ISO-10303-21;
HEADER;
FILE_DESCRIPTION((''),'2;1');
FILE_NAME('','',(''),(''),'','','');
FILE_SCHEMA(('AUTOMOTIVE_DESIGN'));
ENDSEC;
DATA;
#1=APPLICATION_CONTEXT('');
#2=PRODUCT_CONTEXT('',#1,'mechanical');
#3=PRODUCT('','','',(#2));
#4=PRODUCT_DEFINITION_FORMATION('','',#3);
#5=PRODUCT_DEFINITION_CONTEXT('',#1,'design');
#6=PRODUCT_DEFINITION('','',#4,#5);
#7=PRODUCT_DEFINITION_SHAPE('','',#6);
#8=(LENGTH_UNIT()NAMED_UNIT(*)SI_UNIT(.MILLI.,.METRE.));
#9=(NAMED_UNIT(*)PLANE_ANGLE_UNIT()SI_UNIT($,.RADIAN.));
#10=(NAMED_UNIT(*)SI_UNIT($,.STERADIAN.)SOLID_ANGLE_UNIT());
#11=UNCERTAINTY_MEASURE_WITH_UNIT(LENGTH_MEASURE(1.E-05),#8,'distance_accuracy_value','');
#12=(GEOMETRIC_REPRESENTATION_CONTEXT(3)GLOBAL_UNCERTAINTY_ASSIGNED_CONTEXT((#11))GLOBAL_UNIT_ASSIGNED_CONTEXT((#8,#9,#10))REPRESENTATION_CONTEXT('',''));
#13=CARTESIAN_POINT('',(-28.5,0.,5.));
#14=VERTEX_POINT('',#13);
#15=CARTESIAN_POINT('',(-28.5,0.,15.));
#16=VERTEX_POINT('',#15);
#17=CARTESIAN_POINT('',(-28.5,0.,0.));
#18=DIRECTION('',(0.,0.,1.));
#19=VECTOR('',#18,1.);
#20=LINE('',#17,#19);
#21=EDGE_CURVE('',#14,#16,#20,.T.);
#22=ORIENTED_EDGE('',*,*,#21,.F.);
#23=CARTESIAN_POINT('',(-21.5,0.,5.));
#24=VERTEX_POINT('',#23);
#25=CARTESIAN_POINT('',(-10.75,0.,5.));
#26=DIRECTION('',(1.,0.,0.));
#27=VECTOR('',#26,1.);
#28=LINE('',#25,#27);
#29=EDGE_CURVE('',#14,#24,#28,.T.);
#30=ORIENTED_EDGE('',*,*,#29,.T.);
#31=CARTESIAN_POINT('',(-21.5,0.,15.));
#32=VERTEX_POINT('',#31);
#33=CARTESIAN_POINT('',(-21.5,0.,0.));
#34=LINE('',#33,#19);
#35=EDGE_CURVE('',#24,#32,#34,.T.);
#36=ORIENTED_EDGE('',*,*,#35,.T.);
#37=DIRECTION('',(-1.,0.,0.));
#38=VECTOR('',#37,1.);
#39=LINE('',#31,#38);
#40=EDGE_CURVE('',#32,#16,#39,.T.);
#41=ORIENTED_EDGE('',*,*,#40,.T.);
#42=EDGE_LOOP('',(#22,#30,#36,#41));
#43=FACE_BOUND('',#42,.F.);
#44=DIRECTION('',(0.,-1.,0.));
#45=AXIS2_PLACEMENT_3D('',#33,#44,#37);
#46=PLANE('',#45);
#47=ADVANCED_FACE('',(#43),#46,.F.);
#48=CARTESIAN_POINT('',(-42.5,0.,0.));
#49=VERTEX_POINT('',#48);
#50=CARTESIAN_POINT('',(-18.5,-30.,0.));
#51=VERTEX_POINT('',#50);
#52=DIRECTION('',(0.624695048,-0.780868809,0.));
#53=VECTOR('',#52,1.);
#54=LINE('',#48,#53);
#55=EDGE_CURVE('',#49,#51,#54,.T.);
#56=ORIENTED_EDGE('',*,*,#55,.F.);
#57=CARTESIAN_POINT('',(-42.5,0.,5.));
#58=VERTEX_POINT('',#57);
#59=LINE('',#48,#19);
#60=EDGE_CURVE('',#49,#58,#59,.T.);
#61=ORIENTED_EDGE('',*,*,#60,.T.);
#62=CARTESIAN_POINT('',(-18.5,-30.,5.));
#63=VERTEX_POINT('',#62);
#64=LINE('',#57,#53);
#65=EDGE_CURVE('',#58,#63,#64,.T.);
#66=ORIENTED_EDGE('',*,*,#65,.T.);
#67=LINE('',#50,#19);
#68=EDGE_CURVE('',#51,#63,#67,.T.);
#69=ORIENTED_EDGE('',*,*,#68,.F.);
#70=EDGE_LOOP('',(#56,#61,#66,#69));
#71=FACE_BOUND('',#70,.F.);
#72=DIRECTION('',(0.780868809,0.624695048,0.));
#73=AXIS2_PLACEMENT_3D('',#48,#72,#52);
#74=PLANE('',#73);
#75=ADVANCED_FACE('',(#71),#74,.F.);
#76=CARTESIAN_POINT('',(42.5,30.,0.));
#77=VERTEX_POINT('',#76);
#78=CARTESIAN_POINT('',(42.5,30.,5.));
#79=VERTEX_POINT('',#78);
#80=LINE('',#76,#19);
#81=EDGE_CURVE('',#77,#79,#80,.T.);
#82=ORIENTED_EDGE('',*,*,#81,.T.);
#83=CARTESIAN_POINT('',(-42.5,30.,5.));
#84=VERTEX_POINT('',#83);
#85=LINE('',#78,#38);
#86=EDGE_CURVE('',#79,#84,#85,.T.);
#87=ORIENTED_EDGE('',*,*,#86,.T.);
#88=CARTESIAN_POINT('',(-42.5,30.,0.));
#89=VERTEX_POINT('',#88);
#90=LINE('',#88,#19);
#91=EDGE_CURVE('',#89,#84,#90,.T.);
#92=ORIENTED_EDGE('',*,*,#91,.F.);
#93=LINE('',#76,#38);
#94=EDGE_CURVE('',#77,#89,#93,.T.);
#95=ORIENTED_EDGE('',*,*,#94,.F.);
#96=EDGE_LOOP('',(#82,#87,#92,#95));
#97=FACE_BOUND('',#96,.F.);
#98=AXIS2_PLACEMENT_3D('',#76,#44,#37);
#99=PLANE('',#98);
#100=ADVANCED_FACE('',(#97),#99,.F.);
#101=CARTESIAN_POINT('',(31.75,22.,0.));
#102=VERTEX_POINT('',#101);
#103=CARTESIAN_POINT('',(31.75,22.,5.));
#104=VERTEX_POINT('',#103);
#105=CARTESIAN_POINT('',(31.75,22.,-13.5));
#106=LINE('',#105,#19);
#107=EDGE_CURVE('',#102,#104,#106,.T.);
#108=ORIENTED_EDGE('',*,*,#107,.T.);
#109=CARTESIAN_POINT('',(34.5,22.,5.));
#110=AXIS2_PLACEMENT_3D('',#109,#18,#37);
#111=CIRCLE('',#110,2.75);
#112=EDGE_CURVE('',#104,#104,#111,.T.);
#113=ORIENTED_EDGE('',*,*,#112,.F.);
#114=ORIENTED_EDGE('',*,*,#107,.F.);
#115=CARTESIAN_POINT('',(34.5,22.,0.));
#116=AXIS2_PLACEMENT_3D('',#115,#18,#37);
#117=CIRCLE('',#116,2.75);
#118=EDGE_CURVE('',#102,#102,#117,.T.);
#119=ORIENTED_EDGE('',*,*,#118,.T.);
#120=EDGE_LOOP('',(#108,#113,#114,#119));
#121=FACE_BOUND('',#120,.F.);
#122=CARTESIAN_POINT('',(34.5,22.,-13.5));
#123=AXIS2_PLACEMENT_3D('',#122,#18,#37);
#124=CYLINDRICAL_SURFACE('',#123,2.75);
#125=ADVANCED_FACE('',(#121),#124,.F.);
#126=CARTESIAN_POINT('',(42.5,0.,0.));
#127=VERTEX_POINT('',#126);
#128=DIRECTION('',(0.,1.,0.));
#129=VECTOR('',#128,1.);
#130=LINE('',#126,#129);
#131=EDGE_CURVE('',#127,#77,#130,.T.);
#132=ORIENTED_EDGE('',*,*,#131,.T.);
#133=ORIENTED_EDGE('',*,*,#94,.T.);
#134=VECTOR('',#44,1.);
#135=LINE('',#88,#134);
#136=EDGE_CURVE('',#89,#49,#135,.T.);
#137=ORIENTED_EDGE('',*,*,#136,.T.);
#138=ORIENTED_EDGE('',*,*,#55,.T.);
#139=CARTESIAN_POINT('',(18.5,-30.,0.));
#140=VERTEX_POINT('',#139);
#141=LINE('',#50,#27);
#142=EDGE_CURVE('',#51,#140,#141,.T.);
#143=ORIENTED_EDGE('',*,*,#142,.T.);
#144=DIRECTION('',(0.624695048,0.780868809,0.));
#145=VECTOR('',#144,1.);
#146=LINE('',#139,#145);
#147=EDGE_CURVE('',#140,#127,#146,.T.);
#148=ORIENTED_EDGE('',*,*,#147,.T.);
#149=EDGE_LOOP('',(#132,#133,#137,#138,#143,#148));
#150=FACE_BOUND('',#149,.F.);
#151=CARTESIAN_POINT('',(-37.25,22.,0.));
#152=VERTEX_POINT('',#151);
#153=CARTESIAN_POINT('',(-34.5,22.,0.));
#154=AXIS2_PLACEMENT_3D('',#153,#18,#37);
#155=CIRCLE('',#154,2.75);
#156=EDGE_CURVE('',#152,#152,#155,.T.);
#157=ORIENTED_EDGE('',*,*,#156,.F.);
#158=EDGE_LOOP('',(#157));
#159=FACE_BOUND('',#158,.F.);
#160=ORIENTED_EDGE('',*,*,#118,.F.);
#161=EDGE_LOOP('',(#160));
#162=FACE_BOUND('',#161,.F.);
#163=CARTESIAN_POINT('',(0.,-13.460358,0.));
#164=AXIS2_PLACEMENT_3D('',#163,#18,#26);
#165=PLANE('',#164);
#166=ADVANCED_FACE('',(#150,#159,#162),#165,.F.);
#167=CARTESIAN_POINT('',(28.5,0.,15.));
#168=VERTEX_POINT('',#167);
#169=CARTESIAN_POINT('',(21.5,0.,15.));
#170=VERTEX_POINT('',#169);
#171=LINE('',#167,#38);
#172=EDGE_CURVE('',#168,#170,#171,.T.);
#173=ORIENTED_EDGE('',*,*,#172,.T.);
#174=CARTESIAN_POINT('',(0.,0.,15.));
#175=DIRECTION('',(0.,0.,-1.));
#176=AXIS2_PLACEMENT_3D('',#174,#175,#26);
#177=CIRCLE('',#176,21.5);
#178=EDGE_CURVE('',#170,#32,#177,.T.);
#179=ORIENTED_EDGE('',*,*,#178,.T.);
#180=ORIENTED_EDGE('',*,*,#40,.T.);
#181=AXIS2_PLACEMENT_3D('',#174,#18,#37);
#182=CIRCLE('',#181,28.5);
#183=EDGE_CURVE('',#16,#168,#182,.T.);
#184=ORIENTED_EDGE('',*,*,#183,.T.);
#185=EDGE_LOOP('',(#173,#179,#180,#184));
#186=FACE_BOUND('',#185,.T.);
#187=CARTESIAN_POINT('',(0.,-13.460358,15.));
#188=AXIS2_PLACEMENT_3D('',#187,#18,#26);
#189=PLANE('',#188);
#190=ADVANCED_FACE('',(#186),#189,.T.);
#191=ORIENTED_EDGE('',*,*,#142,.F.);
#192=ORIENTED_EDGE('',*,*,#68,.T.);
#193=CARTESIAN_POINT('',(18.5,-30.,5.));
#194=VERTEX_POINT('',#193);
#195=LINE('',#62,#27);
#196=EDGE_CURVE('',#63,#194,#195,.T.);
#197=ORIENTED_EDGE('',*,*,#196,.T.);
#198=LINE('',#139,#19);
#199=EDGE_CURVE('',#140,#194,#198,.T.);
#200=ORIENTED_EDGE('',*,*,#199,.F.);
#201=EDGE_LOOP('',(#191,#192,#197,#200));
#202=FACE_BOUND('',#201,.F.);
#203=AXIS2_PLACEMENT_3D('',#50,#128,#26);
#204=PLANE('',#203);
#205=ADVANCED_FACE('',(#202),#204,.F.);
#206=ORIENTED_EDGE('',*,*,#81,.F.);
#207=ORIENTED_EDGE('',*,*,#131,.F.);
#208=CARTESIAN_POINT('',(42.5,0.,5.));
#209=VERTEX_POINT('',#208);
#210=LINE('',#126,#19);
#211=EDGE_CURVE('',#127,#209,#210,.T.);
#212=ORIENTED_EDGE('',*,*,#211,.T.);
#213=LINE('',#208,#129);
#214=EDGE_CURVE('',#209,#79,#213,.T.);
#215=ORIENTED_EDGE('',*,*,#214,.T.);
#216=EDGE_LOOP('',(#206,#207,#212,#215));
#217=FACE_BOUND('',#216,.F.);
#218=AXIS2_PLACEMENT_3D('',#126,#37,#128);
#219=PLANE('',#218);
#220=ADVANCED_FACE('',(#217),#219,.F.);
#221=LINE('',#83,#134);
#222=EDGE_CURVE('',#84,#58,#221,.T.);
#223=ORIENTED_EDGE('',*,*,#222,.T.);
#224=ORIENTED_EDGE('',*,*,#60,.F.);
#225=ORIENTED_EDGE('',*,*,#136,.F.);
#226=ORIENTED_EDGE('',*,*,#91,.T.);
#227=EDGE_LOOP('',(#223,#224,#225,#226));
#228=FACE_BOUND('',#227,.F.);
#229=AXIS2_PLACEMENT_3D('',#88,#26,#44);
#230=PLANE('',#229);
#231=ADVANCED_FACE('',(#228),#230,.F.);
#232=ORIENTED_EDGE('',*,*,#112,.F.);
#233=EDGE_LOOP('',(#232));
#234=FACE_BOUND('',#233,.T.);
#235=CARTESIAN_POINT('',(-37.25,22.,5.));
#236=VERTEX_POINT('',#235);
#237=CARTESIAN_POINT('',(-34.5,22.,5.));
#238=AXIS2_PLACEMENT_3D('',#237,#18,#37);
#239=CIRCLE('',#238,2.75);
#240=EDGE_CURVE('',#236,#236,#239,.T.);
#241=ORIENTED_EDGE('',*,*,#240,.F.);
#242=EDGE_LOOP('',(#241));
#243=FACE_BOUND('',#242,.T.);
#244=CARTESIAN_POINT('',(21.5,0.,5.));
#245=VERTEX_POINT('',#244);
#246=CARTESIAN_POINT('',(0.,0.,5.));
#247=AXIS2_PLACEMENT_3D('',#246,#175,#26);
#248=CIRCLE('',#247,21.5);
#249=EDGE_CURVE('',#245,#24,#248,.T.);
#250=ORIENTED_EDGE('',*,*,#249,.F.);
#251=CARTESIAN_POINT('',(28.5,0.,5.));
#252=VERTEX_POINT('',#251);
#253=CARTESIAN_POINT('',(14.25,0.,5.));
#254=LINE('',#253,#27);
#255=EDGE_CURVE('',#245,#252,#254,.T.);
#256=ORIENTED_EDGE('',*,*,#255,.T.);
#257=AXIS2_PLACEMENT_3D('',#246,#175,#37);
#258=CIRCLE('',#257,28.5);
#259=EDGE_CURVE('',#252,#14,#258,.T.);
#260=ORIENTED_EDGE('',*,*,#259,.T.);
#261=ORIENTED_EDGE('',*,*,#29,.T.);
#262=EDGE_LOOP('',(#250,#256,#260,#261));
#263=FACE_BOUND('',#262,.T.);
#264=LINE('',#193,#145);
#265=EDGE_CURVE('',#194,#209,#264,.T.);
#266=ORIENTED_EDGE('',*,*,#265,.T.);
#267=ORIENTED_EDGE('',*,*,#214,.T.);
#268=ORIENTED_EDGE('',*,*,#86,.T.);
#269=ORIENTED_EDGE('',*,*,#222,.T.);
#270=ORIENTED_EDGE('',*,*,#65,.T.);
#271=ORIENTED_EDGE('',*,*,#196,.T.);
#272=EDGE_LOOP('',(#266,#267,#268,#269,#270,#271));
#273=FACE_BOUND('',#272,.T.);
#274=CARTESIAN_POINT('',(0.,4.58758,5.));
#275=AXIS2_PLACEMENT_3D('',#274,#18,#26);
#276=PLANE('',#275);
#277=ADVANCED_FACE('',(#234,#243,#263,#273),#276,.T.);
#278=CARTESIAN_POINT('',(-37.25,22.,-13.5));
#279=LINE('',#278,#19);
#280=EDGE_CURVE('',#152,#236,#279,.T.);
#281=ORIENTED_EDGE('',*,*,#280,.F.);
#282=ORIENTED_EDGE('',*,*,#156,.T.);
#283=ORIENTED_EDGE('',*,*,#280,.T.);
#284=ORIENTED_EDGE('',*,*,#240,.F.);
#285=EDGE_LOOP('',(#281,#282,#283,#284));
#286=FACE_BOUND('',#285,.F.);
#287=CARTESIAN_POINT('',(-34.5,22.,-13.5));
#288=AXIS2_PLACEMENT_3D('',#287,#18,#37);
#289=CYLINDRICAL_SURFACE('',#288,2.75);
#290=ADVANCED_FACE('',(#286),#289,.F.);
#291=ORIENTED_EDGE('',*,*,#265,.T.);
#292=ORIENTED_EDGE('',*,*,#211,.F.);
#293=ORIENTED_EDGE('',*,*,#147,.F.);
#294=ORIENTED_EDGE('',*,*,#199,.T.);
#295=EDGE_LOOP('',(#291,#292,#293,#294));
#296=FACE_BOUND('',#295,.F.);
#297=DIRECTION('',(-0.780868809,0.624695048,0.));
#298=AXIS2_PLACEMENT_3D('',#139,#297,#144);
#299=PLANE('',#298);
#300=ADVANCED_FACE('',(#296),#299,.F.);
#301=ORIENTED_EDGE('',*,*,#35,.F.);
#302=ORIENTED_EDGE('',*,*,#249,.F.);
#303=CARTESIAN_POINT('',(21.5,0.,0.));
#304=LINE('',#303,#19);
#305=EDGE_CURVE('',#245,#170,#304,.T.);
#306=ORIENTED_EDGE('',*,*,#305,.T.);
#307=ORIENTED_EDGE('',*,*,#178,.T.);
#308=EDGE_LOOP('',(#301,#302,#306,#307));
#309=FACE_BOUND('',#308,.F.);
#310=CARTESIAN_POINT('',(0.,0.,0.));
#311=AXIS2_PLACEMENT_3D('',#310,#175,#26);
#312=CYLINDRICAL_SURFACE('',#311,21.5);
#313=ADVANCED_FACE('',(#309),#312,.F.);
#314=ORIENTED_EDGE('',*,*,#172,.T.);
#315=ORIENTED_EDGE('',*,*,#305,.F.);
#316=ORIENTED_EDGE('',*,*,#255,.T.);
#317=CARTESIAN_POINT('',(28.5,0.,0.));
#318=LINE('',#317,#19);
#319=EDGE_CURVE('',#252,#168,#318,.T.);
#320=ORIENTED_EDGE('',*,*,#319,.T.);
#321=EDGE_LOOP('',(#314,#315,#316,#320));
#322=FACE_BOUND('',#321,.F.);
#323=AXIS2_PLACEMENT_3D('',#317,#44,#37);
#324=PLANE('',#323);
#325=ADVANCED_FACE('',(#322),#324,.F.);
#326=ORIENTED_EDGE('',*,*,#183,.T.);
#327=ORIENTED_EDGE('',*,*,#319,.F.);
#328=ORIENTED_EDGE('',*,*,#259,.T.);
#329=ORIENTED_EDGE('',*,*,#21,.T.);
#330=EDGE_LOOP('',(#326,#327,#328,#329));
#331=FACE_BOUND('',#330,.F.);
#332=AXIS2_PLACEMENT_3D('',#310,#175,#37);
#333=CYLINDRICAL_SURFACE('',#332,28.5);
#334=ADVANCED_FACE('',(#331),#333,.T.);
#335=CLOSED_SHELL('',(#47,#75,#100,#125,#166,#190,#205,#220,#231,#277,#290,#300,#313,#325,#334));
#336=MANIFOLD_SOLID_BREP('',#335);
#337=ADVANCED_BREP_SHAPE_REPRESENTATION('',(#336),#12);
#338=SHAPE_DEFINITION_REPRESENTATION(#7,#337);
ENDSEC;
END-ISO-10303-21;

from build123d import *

# Parameters (mm, degrees)
F1_DEPTH = 5
F3_DEPTH = 15
F4_D     = 5.5
F4_DEPTH = 13.5
F4_TIP   = 1.6523667023


with BuildPart() as f1:
    # F0 (on Top) → F1 (new body)
    with BuildSketch(Plane.XY):
        Polygon((42.5, 30), (-42.5, 30), (-42.5, 0), (-18.5, -30), (18.5, -30), (42.5, 0), align=None)
    extrude(amount=F1_DEPTH)

    # F2 (on Top) → F3 (join)
    with BuildSketch(Plane.XY):
        with BuildLine():
            ThreePointArc((21.5, 0), (0, -21.5), (-21.5, 0))
            Line((-21.5, 0), (-28.5, 0))
            ThreePointArc((-28.5, 0), (0, -28.5), (28.5, 0))
            Line((28.5, 0), (21.5, 0))
        make_face()
    extrude(amount=F3_DEPTH)

    # F4
    with Locations(Plane(origin=(0, 0, 0), x_dir=(1, 0, 0), z_dir=(0, 0, -1))):
        with Locations((-34.5, -22), (34.5, -22)):
            Hole(F4_D / 2, depth=F4_DEPTH)
            with Locations((0, 0, -(F4_DEPTH + F4_TIP / 2))):  # 118° drill point
                Cone(0, F4_D / 2, F4_TIP, mode=Mode.SUBTRACT)


solid = f1.part
